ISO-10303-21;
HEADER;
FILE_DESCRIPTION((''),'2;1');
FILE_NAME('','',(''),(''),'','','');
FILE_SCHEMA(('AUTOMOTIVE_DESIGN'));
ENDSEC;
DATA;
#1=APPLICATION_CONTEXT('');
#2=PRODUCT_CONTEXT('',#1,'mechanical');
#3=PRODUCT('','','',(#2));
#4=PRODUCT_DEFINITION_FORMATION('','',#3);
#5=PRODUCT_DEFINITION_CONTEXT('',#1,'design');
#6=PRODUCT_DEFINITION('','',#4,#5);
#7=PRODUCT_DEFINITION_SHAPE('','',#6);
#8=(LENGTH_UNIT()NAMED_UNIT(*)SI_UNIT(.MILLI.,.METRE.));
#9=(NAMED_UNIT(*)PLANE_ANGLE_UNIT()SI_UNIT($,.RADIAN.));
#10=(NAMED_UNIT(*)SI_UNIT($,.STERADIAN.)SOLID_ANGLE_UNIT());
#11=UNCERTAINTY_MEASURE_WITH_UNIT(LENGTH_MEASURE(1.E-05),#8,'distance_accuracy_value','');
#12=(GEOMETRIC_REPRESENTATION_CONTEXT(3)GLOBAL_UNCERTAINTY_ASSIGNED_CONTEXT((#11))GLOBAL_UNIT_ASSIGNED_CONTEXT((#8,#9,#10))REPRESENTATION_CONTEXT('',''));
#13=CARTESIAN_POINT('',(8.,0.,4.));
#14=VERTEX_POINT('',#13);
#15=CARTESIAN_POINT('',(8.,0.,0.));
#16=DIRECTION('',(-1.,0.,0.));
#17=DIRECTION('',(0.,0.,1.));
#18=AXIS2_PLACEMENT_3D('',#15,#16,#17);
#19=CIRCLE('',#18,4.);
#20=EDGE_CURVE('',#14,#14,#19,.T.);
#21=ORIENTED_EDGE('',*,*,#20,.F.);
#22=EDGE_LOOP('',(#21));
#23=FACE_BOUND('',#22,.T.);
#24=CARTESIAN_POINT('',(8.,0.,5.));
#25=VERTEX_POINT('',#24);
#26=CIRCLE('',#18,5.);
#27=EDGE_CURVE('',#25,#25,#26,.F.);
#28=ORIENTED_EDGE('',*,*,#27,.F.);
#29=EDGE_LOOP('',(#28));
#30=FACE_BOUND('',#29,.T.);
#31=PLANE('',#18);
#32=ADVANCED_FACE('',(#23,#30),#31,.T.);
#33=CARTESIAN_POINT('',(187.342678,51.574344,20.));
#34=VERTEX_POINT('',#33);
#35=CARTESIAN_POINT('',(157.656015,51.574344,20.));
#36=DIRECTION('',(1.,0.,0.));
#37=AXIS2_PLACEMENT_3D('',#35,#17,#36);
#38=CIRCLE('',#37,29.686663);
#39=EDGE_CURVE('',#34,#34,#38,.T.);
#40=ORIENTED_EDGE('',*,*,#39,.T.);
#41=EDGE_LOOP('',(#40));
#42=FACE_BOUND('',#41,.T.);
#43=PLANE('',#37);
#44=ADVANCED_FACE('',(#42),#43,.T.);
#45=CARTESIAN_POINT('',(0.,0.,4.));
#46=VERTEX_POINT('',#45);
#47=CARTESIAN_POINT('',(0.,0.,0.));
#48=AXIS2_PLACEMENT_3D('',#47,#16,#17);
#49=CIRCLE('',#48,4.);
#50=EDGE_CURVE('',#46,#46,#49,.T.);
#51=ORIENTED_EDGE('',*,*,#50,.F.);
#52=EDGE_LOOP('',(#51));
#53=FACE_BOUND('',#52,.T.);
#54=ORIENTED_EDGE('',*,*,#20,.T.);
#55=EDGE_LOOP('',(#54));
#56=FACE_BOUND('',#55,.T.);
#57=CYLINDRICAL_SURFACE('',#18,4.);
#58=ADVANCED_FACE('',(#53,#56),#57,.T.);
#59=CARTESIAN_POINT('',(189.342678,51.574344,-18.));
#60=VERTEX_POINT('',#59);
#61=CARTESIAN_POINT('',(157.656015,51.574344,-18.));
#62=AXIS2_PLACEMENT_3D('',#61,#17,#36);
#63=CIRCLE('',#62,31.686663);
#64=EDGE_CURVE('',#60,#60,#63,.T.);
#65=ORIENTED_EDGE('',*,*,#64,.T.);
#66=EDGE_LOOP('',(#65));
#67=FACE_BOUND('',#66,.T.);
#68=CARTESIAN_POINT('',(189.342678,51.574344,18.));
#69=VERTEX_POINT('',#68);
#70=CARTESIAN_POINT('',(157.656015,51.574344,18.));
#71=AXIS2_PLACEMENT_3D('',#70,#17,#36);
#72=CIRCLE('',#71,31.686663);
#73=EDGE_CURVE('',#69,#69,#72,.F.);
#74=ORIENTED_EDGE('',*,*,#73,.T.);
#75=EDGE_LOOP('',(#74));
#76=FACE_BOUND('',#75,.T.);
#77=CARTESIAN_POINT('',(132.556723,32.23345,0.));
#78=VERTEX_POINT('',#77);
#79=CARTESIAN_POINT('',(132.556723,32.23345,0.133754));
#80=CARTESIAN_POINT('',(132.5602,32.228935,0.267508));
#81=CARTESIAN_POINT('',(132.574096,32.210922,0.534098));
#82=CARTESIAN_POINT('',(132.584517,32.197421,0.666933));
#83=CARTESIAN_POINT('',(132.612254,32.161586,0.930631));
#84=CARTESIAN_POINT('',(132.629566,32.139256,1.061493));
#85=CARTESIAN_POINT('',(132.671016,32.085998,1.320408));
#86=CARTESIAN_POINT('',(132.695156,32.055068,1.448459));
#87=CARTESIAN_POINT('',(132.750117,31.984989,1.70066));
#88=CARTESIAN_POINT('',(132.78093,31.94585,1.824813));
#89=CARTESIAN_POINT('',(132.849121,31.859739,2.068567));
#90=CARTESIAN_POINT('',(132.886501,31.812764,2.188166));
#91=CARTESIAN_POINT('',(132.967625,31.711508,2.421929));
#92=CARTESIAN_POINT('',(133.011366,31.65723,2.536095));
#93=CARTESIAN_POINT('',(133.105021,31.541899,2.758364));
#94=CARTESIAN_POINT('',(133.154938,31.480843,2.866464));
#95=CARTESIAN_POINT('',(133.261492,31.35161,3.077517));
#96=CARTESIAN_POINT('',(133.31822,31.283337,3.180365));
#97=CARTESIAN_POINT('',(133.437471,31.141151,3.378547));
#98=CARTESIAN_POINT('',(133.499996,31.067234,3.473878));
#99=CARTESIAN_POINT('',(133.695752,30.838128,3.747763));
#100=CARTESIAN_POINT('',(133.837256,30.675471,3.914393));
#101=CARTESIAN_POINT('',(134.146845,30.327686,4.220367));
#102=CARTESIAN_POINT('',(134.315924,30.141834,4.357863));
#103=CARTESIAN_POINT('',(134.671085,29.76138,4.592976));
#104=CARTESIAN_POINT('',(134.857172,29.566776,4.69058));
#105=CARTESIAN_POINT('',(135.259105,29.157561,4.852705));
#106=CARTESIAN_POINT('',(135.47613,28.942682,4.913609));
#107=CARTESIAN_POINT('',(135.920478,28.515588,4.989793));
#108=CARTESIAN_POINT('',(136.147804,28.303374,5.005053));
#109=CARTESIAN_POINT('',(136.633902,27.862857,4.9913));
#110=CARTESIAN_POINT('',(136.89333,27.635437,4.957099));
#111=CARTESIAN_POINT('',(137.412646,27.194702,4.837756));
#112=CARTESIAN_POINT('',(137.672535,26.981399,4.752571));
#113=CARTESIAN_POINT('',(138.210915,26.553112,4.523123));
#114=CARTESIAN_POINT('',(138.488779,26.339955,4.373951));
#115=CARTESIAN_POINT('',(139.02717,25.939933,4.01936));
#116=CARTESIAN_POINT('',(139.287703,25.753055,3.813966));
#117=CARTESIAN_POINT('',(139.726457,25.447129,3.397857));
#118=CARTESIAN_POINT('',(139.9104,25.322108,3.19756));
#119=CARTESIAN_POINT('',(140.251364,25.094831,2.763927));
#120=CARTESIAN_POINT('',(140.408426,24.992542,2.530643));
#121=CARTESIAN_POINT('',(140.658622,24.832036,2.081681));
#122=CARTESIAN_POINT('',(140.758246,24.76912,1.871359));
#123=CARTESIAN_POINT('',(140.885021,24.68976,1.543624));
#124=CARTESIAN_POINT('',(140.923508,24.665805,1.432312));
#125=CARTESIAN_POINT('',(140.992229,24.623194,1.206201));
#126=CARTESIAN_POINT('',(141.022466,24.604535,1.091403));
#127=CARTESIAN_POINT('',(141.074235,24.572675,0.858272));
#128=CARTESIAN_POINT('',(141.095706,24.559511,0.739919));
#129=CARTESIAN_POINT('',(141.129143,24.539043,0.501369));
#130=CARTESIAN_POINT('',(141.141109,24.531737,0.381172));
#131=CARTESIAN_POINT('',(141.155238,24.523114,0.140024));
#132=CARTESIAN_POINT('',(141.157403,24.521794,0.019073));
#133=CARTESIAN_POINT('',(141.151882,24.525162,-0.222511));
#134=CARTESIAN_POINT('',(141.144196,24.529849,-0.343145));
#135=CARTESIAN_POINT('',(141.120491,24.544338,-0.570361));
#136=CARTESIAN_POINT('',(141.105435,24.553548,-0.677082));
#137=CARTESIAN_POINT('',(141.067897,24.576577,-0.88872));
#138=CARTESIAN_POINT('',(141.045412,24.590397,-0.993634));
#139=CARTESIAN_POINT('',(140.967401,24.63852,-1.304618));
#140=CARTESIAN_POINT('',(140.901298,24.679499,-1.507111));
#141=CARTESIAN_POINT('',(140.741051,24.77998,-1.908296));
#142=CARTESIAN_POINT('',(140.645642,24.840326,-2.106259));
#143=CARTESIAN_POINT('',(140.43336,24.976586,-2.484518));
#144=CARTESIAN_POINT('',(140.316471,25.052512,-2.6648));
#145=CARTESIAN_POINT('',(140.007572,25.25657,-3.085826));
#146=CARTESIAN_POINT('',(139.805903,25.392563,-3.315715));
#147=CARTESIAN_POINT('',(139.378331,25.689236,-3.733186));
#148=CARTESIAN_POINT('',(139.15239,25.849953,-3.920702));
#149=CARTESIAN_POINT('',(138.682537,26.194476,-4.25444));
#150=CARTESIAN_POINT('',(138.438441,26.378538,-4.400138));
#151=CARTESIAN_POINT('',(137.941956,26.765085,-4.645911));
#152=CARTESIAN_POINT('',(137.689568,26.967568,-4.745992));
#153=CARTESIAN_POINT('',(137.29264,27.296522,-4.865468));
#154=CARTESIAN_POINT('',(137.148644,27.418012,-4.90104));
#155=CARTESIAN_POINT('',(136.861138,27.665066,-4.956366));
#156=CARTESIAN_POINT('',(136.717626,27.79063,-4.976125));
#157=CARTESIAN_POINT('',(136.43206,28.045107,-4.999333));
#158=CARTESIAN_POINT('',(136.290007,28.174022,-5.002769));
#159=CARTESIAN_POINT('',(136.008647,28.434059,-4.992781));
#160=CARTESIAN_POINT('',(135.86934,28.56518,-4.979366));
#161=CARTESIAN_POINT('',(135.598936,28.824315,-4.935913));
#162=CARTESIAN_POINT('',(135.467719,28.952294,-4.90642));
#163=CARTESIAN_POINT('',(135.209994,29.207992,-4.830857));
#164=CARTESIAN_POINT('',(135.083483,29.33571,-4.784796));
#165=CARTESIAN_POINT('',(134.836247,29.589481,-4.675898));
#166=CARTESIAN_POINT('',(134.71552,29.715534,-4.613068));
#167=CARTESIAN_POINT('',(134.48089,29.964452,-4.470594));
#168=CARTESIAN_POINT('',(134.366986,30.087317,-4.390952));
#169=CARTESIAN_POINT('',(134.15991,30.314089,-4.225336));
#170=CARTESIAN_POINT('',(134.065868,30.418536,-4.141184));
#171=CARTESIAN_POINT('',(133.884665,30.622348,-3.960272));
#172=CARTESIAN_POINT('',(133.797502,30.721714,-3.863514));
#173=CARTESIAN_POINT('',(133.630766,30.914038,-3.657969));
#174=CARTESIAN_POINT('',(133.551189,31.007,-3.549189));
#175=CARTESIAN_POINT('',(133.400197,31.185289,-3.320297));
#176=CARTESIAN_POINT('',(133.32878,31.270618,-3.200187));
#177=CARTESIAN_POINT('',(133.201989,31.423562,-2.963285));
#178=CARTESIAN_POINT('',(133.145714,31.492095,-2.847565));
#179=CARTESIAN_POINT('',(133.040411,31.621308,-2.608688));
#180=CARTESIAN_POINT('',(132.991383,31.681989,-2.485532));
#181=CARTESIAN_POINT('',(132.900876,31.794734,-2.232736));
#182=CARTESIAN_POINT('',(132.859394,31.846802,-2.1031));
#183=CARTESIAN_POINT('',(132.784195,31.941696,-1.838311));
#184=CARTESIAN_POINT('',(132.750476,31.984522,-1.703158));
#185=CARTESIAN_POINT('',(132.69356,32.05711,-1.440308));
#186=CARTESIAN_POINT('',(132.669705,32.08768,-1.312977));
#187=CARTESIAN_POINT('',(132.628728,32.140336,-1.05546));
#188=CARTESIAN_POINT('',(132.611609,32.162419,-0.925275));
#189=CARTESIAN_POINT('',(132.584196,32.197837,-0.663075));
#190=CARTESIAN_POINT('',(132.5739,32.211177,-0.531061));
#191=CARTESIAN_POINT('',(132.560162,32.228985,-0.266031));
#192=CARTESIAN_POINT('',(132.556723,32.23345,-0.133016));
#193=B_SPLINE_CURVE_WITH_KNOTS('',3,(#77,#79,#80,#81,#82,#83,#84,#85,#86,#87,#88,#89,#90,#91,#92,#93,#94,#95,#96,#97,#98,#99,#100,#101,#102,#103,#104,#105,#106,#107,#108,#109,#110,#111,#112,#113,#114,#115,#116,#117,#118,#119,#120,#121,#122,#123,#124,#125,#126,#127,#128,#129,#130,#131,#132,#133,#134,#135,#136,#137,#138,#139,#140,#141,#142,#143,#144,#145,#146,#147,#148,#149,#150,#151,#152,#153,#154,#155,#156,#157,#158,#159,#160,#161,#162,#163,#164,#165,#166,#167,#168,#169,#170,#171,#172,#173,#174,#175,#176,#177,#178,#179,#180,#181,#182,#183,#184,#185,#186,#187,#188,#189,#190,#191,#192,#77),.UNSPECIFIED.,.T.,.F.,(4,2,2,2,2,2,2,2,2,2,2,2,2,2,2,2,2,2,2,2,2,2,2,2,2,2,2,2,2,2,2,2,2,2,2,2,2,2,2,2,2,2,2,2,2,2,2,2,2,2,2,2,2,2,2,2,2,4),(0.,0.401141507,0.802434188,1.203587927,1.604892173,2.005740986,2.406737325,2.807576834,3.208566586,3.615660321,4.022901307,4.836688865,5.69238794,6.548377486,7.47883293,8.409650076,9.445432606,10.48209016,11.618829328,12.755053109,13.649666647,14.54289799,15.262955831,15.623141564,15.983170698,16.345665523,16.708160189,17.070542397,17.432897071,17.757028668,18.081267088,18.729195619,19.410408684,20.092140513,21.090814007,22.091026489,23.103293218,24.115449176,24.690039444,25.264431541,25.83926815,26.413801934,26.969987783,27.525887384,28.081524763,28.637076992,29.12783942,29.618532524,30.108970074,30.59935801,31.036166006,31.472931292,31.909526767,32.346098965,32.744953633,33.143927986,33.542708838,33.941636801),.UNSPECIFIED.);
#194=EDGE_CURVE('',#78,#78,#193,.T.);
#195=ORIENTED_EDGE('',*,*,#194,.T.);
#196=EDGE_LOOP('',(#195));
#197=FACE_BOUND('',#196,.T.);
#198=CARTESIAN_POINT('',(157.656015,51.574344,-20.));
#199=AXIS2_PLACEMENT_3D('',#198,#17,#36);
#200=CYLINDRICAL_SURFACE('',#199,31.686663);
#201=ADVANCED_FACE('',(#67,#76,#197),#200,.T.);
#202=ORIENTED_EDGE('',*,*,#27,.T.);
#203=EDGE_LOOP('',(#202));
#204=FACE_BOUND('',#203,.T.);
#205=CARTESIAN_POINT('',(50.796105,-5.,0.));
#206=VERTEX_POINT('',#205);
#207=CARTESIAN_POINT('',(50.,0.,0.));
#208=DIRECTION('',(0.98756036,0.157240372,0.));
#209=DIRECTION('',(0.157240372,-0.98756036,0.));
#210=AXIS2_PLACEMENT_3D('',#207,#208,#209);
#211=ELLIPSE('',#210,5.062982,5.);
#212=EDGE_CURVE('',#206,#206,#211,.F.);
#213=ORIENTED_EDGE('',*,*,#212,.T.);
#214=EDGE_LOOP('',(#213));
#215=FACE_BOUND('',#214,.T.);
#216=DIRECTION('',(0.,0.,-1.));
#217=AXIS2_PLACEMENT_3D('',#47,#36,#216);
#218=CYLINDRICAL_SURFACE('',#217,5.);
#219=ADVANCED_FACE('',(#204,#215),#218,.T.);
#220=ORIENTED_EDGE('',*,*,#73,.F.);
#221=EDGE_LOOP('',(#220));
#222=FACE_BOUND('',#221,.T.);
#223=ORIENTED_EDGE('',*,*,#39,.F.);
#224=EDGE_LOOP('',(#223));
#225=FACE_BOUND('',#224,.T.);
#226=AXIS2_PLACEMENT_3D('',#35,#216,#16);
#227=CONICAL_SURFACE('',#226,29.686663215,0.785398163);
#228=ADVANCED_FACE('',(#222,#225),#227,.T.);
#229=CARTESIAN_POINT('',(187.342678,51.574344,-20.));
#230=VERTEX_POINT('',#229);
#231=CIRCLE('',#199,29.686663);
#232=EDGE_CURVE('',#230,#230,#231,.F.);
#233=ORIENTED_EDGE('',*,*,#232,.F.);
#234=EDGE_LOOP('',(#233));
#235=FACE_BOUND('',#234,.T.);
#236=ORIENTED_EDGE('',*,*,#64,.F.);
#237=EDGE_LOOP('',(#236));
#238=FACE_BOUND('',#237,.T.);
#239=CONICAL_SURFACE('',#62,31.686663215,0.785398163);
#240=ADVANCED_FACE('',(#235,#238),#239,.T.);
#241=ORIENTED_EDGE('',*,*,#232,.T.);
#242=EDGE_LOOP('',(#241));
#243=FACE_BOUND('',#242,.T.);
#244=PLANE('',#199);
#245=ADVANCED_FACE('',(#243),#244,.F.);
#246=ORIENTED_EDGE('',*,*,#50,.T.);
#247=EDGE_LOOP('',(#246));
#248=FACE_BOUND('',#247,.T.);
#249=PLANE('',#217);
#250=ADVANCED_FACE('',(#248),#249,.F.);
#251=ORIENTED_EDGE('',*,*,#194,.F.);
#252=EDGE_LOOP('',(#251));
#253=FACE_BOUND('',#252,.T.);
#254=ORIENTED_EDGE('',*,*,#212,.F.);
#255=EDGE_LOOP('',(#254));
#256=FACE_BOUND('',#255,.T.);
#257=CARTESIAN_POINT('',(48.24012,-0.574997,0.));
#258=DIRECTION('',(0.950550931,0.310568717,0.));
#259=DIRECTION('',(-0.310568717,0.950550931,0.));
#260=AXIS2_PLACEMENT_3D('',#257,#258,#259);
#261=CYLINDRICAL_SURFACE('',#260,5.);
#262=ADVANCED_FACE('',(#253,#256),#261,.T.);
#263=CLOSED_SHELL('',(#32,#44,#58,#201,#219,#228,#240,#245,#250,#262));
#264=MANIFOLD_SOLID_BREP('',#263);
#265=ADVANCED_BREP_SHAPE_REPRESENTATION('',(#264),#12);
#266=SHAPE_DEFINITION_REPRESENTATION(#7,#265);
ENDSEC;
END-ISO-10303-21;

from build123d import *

# Parameters (mm, degrees)
SKETCH2_R                = 5
BOSS_EXTRUDE1_DEPTH      = 20
BOSS_EXTRUDE1_DEPTH_BACK = 20
SKETCH3_R                = 31.686663215
SKETCH4_R                = 8.078892956
SKETCH4_R_2              = 4
CUT_EXTRUDE1_DEPTH       = 8
CHAMFER1_SIZE            = 2


with BuildPart() as part:
    # Sweep1: sweep along a path in Sketch1
    with BuildLine(Plane.XY) as sweep1_path:
        Line((0, 0), (50, 0))
        Line((50, 0), (145.05509307, 31.056871726))
    # Sketch2 → Sweep1 (sweep)
    with BuildSketch(Plane(origin=(0, 0, 0), x_dir=(0, 0, -1), z_dir=(1, 0, 0))):
        Circle(SKETCH2_R)
    sweep(path=sweep1_path.line, transition=Transition.RIGHT)

    # Sketch3 → Boss-Extrude1 (add, two sides: drawn at the far end of the back side and taken through both)
    with BuildSketch(Plane.XY.offset(-BOSS_EXTRUDE1_DEPTH_BACK)):
        with Locations((157.656014811, 51.574343957)):
            Circle(SKETCH3_R)
    extrude(amount=BOSS_EXTRUDE1_DEPTH + BOSS_EXTRUDE1_DEPTH_BACK)

    # Sketch4 → Cut-Extrude1 (cut)
    with BuildSketch(Plane.ZY):
        Circle(SKETCH4_R)
        Circle(SKETCH4_R_2, mode=Mode.SUBTRACT)
    extrude(amount=-CUT_EXTRUDE1_DEPTH, mode=Mode.SUBTRACT)

    # Chamfer1
    chamfer1_edges = [part.edges().sort_by_distance(p)[0] for p in [
        (125.969351596, 51.574343957, -20),
        (125.969351596, 51.574343957, 20),
    ]]
    chamfer(chamfer1_edges, length=CHAMFER1_SIZE)


solid = part.part
